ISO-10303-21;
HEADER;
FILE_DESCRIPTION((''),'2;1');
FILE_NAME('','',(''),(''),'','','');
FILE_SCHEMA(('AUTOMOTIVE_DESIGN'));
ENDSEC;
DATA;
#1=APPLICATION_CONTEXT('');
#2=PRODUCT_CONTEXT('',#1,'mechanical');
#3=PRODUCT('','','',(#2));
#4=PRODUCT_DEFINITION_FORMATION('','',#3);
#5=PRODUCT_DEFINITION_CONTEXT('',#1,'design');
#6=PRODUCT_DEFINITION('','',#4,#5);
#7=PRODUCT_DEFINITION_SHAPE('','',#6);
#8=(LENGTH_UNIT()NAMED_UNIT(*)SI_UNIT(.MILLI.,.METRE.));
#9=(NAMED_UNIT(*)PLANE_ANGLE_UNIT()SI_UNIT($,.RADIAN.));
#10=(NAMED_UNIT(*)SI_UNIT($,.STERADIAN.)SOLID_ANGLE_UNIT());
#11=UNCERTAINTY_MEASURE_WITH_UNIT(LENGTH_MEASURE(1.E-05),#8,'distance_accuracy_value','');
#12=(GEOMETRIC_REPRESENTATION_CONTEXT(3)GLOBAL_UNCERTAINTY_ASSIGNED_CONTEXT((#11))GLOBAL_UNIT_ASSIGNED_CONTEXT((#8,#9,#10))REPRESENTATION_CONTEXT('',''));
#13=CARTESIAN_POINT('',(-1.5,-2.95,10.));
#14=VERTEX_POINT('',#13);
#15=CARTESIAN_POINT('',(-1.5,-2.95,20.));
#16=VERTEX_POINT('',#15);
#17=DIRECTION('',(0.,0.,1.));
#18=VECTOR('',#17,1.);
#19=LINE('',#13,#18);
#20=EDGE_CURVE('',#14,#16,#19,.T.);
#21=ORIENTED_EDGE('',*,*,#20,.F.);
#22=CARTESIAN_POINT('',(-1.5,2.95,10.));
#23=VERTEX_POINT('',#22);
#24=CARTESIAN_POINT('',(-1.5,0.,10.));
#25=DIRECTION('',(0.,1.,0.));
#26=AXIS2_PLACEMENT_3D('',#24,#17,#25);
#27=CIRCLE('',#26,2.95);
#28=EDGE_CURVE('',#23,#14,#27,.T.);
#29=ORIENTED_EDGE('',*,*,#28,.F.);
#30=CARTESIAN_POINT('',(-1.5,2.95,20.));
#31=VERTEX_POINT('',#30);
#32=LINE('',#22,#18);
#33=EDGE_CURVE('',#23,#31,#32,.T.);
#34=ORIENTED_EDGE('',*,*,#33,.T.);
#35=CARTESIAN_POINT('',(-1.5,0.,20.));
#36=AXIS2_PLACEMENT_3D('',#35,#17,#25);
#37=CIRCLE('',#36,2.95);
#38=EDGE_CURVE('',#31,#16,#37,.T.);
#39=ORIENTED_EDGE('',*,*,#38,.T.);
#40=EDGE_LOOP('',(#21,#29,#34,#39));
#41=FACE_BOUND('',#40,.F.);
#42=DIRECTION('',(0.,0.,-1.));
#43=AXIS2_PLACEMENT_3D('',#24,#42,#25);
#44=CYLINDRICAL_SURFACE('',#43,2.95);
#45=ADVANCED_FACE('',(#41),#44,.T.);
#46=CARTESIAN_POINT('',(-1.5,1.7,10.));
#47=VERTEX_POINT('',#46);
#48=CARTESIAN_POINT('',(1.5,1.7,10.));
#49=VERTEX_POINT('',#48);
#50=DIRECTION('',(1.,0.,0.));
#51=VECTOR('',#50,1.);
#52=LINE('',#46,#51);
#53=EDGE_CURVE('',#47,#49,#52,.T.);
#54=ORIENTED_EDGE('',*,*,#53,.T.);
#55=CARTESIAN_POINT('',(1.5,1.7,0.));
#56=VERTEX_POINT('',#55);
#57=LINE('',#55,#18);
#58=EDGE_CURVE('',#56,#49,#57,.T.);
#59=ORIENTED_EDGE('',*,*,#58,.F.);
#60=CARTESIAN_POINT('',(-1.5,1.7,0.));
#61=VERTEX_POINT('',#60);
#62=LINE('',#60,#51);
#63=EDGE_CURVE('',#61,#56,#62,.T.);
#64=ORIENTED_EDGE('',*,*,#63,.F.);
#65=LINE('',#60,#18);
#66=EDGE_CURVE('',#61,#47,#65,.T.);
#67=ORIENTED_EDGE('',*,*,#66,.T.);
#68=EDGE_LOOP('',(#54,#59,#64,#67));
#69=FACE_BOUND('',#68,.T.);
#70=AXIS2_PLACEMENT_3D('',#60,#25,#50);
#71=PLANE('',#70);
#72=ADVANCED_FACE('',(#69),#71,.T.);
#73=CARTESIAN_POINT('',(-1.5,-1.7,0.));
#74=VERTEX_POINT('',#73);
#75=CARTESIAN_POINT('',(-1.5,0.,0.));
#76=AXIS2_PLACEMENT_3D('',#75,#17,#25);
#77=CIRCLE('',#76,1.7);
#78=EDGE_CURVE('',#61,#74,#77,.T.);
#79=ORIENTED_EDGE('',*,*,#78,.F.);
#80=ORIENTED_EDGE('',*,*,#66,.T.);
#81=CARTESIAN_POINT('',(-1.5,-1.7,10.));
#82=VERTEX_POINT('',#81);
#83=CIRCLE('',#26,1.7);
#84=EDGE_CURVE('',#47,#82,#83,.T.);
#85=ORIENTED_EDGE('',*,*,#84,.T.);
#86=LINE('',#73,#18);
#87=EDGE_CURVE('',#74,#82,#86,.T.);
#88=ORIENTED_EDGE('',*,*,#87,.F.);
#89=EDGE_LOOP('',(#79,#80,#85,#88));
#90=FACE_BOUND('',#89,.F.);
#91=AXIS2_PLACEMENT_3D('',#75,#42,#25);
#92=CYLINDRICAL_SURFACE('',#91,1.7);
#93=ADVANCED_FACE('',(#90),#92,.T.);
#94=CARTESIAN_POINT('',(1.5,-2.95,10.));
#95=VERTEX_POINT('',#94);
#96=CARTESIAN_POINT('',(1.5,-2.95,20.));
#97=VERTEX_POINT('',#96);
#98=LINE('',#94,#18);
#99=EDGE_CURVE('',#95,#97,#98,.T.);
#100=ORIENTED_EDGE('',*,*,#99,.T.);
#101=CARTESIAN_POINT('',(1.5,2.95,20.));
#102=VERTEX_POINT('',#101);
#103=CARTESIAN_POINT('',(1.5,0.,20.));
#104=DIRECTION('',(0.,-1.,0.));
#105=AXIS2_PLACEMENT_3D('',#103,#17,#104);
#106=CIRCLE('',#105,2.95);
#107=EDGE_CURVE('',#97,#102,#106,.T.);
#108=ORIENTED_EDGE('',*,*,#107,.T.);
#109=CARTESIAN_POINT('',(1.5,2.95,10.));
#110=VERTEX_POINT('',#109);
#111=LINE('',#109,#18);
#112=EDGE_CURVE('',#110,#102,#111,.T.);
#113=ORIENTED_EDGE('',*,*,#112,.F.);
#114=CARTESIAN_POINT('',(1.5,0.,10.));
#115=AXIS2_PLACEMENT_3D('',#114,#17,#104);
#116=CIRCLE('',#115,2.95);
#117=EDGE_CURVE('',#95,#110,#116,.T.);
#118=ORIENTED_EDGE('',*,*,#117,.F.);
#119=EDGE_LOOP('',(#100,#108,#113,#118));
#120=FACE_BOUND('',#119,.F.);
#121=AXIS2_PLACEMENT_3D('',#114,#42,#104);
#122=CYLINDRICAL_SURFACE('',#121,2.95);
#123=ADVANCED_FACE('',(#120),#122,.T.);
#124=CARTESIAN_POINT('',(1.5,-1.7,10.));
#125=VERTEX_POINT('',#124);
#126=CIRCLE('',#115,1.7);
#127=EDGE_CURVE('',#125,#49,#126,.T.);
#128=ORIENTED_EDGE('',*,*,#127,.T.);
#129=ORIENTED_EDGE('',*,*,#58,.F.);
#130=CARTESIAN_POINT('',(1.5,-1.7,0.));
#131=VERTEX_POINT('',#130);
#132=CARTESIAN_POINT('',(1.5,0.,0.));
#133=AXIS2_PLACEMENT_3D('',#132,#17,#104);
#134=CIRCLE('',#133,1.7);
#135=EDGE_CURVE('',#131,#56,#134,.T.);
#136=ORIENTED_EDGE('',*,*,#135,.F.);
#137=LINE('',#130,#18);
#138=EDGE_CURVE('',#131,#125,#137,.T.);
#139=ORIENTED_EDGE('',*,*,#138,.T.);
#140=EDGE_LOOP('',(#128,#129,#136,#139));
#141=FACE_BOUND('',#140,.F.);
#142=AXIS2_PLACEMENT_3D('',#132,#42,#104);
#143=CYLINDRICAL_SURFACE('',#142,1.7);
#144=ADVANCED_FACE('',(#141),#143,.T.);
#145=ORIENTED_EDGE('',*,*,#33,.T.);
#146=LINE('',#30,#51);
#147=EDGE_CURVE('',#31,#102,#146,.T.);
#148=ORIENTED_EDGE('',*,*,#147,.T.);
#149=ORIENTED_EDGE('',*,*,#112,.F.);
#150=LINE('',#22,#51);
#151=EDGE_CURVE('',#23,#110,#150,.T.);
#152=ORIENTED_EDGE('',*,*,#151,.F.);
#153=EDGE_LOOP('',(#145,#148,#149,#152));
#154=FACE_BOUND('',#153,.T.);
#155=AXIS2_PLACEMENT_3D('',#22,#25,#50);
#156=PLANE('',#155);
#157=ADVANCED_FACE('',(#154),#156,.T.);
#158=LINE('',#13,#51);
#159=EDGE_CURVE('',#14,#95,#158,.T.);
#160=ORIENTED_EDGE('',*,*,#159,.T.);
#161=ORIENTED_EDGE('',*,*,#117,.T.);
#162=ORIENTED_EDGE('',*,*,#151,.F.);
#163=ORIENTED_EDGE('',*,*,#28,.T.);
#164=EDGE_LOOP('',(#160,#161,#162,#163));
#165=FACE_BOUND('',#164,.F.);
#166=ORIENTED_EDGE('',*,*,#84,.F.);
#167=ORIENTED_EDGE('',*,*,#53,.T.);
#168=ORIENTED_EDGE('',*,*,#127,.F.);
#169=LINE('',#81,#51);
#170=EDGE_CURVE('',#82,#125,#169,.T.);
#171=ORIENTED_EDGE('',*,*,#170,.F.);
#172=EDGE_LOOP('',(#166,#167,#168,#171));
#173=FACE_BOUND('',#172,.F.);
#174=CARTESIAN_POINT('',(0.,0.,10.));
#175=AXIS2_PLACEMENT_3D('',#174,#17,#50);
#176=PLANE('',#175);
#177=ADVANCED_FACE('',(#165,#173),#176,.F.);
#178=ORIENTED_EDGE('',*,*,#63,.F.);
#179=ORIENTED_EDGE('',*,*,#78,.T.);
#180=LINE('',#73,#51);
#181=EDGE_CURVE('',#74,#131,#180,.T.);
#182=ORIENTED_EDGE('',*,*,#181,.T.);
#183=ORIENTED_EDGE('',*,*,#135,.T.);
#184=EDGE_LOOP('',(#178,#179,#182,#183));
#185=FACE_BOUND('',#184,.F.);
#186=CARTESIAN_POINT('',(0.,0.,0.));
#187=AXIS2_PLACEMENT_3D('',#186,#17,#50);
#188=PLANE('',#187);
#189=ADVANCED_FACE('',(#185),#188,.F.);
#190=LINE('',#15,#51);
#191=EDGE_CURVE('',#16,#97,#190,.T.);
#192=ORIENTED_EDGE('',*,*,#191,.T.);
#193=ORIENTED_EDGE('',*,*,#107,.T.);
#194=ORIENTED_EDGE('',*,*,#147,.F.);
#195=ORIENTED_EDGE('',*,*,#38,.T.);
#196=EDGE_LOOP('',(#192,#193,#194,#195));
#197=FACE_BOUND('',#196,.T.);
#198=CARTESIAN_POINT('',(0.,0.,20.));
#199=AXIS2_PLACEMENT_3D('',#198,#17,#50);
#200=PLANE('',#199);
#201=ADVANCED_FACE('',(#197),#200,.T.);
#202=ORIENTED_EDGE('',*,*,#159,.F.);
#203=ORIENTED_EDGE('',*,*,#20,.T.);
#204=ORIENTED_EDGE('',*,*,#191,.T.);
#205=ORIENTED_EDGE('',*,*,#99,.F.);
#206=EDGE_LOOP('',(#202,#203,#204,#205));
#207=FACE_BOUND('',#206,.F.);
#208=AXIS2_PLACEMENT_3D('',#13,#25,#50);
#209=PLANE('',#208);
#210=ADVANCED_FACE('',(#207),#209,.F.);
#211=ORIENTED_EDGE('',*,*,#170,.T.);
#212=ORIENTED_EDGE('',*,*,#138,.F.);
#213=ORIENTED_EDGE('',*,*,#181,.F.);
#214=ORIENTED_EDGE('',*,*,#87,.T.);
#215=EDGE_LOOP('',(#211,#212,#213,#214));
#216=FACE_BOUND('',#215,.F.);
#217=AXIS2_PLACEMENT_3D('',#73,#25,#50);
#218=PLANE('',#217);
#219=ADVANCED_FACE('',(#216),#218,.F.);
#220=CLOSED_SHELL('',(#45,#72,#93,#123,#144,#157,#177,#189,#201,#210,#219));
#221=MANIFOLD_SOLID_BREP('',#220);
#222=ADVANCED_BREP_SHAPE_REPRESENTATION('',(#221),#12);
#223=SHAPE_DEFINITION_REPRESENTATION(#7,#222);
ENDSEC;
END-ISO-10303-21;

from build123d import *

# Parameters (mm, degrees)
PAD006_DEPTH = 10
PAD007_DEPTH = 10


with BuildPart() as clone_of_m3boltslider003:
    # Sketch009 → Pad006 (new body)
    with BuildSketch(Plane.XY):
        with BuildLine():
            ThreePointArc((-1.5, 1.7), (-3.2, 0), (-1.5, -1.7))
            Line((-1.5, -1.7), (1.5, -1.7))
            ThreePointArc((1.5, -1.7), (3.2, 0), (1.5, 1.7))
            Line((-1.5, 1.7), (1.5, 1.7))
        make_face()
    extrude(amount=PAD006_DEPTH)


with BuildPart() as m3boldsliderwithhead:
    # Sketch010 → Pad007 (new body)
    with BuildSketch(Plane.XY.offset(10)):
        with BuildLine():
            ThreePointArc((-1.5, 2.95), (-4.45, 0), (-1.5, -2.95))
            Line((-1.5, -2.95), (1.5, -2.95))
            ThreePointArc((1.5, -2.95), (4.45, 0), (1.5, 2.95))
            Line((-1.5, 2.95), (1.5, 2.95))
        make_face()
    extrude(amount=PAD007_DEPTH)

    # Fusion015: union Clone of M3BoltSlider003
    add(clone_of_m3boltslider003.part)


solid = m3boldsliderwithhead.part
